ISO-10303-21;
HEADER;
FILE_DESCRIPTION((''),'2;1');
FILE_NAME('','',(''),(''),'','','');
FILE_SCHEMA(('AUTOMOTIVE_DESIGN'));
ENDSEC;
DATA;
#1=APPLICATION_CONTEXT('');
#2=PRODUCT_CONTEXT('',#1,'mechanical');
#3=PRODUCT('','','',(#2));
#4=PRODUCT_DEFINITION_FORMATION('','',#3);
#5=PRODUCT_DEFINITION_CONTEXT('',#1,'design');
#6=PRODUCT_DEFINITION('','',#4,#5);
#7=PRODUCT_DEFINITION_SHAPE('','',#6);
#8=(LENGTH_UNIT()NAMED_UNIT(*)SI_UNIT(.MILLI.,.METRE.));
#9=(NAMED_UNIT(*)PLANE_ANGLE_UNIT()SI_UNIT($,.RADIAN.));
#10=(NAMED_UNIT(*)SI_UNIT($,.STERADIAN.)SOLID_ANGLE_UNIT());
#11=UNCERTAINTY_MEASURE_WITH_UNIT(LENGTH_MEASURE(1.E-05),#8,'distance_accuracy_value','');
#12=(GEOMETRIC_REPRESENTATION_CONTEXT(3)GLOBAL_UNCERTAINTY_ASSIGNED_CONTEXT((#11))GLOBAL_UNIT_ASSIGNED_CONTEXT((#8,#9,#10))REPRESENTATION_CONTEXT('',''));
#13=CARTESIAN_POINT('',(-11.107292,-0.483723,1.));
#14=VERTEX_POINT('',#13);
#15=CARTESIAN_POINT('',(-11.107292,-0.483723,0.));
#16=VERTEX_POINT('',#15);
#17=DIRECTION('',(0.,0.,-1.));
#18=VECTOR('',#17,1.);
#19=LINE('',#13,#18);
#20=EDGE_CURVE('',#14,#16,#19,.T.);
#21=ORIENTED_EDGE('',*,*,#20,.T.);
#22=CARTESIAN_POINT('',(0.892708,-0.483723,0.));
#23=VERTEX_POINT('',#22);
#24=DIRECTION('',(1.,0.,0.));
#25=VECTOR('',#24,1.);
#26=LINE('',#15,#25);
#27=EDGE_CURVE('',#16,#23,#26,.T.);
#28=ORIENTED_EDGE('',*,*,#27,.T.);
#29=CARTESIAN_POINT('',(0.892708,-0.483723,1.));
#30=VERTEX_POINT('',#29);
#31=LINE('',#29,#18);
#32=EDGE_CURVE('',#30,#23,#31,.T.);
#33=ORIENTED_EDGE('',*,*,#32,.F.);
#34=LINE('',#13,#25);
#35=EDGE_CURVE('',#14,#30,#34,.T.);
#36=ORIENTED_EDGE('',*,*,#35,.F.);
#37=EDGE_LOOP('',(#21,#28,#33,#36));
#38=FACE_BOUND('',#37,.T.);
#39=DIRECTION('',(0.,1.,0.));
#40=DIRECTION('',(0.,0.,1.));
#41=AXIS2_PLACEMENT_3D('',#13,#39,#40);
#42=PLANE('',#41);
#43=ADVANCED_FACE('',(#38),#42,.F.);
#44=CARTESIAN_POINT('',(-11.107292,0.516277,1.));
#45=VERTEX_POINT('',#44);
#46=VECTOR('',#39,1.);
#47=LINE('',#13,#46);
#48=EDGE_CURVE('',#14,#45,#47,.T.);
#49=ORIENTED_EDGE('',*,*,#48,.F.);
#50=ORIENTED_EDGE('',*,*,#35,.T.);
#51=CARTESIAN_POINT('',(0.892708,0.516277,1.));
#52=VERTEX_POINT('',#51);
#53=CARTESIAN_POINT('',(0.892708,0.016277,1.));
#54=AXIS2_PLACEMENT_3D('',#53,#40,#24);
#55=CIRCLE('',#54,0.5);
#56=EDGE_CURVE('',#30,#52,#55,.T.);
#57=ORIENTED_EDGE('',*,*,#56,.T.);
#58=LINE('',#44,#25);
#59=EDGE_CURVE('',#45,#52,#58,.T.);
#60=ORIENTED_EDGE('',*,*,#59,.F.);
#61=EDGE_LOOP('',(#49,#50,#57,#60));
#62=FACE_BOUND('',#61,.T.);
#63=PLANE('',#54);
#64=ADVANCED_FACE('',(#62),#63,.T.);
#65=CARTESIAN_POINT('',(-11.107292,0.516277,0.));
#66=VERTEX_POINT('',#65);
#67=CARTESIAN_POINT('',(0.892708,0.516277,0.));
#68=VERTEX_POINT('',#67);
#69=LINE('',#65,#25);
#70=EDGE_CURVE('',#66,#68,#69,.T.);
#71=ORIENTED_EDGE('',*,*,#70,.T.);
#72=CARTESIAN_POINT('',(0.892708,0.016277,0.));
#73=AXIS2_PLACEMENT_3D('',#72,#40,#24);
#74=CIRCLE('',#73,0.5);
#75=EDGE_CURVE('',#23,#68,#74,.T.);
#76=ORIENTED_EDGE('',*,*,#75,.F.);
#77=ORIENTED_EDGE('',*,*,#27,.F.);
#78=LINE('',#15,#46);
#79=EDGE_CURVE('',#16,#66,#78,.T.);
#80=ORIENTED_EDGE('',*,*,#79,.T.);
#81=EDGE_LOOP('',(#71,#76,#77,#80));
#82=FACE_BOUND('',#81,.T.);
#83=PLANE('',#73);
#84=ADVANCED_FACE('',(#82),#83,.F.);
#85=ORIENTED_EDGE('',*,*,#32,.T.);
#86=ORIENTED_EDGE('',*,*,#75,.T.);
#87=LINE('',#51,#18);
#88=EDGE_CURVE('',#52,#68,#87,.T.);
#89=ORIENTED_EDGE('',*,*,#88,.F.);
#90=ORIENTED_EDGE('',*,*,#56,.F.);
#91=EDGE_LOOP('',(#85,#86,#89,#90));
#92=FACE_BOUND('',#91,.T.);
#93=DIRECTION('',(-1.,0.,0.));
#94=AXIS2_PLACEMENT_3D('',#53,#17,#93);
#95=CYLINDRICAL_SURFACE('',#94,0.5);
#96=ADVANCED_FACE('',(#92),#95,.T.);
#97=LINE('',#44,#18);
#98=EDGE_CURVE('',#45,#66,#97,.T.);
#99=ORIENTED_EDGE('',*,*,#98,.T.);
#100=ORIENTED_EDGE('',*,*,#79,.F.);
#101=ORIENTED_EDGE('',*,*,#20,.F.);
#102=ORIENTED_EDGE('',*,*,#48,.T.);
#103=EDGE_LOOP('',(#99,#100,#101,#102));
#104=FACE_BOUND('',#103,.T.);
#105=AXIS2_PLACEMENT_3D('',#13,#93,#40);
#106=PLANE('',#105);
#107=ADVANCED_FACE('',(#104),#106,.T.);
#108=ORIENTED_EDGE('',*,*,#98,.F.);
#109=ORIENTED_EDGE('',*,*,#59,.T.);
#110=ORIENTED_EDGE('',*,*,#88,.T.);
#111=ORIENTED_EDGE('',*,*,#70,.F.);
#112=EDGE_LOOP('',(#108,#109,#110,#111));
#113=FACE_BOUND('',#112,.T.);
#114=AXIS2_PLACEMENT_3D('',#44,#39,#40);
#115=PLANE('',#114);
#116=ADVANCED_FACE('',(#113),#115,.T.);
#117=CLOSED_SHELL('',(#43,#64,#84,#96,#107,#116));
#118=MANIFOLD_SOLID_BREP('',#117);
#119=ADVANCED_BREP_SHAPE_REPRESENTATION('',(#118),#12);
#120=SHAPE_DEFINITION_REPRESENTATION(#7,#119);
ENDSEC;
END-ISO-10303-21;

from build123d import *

# Parameters (mm, degrees)
EXTRUDE_1_DEPTH = 1


with BuildPart() as part:
    # 草图1 → 凸台-拉伸1 (new body)
    with BuildSketch(Plane.XY):
        with BuildLine():
            Line((-11.107291874, -0.48372324), (0.892708126, -0.48372324))
            ThreePointArc((0.892708126, -0.48372324), (1.392708126, 0.01627676), (0.892708126, 0.51627676))
            Line((0.892708126, 0.51627676), (-11.107291874, 0.51627676))
            Line((-11.107291874, 0.51627676), (-11.107291874, -0.48372324))
        make_face()
    extrude(amount=EXTRUDE_1_DEPTH)


solid = part.part
